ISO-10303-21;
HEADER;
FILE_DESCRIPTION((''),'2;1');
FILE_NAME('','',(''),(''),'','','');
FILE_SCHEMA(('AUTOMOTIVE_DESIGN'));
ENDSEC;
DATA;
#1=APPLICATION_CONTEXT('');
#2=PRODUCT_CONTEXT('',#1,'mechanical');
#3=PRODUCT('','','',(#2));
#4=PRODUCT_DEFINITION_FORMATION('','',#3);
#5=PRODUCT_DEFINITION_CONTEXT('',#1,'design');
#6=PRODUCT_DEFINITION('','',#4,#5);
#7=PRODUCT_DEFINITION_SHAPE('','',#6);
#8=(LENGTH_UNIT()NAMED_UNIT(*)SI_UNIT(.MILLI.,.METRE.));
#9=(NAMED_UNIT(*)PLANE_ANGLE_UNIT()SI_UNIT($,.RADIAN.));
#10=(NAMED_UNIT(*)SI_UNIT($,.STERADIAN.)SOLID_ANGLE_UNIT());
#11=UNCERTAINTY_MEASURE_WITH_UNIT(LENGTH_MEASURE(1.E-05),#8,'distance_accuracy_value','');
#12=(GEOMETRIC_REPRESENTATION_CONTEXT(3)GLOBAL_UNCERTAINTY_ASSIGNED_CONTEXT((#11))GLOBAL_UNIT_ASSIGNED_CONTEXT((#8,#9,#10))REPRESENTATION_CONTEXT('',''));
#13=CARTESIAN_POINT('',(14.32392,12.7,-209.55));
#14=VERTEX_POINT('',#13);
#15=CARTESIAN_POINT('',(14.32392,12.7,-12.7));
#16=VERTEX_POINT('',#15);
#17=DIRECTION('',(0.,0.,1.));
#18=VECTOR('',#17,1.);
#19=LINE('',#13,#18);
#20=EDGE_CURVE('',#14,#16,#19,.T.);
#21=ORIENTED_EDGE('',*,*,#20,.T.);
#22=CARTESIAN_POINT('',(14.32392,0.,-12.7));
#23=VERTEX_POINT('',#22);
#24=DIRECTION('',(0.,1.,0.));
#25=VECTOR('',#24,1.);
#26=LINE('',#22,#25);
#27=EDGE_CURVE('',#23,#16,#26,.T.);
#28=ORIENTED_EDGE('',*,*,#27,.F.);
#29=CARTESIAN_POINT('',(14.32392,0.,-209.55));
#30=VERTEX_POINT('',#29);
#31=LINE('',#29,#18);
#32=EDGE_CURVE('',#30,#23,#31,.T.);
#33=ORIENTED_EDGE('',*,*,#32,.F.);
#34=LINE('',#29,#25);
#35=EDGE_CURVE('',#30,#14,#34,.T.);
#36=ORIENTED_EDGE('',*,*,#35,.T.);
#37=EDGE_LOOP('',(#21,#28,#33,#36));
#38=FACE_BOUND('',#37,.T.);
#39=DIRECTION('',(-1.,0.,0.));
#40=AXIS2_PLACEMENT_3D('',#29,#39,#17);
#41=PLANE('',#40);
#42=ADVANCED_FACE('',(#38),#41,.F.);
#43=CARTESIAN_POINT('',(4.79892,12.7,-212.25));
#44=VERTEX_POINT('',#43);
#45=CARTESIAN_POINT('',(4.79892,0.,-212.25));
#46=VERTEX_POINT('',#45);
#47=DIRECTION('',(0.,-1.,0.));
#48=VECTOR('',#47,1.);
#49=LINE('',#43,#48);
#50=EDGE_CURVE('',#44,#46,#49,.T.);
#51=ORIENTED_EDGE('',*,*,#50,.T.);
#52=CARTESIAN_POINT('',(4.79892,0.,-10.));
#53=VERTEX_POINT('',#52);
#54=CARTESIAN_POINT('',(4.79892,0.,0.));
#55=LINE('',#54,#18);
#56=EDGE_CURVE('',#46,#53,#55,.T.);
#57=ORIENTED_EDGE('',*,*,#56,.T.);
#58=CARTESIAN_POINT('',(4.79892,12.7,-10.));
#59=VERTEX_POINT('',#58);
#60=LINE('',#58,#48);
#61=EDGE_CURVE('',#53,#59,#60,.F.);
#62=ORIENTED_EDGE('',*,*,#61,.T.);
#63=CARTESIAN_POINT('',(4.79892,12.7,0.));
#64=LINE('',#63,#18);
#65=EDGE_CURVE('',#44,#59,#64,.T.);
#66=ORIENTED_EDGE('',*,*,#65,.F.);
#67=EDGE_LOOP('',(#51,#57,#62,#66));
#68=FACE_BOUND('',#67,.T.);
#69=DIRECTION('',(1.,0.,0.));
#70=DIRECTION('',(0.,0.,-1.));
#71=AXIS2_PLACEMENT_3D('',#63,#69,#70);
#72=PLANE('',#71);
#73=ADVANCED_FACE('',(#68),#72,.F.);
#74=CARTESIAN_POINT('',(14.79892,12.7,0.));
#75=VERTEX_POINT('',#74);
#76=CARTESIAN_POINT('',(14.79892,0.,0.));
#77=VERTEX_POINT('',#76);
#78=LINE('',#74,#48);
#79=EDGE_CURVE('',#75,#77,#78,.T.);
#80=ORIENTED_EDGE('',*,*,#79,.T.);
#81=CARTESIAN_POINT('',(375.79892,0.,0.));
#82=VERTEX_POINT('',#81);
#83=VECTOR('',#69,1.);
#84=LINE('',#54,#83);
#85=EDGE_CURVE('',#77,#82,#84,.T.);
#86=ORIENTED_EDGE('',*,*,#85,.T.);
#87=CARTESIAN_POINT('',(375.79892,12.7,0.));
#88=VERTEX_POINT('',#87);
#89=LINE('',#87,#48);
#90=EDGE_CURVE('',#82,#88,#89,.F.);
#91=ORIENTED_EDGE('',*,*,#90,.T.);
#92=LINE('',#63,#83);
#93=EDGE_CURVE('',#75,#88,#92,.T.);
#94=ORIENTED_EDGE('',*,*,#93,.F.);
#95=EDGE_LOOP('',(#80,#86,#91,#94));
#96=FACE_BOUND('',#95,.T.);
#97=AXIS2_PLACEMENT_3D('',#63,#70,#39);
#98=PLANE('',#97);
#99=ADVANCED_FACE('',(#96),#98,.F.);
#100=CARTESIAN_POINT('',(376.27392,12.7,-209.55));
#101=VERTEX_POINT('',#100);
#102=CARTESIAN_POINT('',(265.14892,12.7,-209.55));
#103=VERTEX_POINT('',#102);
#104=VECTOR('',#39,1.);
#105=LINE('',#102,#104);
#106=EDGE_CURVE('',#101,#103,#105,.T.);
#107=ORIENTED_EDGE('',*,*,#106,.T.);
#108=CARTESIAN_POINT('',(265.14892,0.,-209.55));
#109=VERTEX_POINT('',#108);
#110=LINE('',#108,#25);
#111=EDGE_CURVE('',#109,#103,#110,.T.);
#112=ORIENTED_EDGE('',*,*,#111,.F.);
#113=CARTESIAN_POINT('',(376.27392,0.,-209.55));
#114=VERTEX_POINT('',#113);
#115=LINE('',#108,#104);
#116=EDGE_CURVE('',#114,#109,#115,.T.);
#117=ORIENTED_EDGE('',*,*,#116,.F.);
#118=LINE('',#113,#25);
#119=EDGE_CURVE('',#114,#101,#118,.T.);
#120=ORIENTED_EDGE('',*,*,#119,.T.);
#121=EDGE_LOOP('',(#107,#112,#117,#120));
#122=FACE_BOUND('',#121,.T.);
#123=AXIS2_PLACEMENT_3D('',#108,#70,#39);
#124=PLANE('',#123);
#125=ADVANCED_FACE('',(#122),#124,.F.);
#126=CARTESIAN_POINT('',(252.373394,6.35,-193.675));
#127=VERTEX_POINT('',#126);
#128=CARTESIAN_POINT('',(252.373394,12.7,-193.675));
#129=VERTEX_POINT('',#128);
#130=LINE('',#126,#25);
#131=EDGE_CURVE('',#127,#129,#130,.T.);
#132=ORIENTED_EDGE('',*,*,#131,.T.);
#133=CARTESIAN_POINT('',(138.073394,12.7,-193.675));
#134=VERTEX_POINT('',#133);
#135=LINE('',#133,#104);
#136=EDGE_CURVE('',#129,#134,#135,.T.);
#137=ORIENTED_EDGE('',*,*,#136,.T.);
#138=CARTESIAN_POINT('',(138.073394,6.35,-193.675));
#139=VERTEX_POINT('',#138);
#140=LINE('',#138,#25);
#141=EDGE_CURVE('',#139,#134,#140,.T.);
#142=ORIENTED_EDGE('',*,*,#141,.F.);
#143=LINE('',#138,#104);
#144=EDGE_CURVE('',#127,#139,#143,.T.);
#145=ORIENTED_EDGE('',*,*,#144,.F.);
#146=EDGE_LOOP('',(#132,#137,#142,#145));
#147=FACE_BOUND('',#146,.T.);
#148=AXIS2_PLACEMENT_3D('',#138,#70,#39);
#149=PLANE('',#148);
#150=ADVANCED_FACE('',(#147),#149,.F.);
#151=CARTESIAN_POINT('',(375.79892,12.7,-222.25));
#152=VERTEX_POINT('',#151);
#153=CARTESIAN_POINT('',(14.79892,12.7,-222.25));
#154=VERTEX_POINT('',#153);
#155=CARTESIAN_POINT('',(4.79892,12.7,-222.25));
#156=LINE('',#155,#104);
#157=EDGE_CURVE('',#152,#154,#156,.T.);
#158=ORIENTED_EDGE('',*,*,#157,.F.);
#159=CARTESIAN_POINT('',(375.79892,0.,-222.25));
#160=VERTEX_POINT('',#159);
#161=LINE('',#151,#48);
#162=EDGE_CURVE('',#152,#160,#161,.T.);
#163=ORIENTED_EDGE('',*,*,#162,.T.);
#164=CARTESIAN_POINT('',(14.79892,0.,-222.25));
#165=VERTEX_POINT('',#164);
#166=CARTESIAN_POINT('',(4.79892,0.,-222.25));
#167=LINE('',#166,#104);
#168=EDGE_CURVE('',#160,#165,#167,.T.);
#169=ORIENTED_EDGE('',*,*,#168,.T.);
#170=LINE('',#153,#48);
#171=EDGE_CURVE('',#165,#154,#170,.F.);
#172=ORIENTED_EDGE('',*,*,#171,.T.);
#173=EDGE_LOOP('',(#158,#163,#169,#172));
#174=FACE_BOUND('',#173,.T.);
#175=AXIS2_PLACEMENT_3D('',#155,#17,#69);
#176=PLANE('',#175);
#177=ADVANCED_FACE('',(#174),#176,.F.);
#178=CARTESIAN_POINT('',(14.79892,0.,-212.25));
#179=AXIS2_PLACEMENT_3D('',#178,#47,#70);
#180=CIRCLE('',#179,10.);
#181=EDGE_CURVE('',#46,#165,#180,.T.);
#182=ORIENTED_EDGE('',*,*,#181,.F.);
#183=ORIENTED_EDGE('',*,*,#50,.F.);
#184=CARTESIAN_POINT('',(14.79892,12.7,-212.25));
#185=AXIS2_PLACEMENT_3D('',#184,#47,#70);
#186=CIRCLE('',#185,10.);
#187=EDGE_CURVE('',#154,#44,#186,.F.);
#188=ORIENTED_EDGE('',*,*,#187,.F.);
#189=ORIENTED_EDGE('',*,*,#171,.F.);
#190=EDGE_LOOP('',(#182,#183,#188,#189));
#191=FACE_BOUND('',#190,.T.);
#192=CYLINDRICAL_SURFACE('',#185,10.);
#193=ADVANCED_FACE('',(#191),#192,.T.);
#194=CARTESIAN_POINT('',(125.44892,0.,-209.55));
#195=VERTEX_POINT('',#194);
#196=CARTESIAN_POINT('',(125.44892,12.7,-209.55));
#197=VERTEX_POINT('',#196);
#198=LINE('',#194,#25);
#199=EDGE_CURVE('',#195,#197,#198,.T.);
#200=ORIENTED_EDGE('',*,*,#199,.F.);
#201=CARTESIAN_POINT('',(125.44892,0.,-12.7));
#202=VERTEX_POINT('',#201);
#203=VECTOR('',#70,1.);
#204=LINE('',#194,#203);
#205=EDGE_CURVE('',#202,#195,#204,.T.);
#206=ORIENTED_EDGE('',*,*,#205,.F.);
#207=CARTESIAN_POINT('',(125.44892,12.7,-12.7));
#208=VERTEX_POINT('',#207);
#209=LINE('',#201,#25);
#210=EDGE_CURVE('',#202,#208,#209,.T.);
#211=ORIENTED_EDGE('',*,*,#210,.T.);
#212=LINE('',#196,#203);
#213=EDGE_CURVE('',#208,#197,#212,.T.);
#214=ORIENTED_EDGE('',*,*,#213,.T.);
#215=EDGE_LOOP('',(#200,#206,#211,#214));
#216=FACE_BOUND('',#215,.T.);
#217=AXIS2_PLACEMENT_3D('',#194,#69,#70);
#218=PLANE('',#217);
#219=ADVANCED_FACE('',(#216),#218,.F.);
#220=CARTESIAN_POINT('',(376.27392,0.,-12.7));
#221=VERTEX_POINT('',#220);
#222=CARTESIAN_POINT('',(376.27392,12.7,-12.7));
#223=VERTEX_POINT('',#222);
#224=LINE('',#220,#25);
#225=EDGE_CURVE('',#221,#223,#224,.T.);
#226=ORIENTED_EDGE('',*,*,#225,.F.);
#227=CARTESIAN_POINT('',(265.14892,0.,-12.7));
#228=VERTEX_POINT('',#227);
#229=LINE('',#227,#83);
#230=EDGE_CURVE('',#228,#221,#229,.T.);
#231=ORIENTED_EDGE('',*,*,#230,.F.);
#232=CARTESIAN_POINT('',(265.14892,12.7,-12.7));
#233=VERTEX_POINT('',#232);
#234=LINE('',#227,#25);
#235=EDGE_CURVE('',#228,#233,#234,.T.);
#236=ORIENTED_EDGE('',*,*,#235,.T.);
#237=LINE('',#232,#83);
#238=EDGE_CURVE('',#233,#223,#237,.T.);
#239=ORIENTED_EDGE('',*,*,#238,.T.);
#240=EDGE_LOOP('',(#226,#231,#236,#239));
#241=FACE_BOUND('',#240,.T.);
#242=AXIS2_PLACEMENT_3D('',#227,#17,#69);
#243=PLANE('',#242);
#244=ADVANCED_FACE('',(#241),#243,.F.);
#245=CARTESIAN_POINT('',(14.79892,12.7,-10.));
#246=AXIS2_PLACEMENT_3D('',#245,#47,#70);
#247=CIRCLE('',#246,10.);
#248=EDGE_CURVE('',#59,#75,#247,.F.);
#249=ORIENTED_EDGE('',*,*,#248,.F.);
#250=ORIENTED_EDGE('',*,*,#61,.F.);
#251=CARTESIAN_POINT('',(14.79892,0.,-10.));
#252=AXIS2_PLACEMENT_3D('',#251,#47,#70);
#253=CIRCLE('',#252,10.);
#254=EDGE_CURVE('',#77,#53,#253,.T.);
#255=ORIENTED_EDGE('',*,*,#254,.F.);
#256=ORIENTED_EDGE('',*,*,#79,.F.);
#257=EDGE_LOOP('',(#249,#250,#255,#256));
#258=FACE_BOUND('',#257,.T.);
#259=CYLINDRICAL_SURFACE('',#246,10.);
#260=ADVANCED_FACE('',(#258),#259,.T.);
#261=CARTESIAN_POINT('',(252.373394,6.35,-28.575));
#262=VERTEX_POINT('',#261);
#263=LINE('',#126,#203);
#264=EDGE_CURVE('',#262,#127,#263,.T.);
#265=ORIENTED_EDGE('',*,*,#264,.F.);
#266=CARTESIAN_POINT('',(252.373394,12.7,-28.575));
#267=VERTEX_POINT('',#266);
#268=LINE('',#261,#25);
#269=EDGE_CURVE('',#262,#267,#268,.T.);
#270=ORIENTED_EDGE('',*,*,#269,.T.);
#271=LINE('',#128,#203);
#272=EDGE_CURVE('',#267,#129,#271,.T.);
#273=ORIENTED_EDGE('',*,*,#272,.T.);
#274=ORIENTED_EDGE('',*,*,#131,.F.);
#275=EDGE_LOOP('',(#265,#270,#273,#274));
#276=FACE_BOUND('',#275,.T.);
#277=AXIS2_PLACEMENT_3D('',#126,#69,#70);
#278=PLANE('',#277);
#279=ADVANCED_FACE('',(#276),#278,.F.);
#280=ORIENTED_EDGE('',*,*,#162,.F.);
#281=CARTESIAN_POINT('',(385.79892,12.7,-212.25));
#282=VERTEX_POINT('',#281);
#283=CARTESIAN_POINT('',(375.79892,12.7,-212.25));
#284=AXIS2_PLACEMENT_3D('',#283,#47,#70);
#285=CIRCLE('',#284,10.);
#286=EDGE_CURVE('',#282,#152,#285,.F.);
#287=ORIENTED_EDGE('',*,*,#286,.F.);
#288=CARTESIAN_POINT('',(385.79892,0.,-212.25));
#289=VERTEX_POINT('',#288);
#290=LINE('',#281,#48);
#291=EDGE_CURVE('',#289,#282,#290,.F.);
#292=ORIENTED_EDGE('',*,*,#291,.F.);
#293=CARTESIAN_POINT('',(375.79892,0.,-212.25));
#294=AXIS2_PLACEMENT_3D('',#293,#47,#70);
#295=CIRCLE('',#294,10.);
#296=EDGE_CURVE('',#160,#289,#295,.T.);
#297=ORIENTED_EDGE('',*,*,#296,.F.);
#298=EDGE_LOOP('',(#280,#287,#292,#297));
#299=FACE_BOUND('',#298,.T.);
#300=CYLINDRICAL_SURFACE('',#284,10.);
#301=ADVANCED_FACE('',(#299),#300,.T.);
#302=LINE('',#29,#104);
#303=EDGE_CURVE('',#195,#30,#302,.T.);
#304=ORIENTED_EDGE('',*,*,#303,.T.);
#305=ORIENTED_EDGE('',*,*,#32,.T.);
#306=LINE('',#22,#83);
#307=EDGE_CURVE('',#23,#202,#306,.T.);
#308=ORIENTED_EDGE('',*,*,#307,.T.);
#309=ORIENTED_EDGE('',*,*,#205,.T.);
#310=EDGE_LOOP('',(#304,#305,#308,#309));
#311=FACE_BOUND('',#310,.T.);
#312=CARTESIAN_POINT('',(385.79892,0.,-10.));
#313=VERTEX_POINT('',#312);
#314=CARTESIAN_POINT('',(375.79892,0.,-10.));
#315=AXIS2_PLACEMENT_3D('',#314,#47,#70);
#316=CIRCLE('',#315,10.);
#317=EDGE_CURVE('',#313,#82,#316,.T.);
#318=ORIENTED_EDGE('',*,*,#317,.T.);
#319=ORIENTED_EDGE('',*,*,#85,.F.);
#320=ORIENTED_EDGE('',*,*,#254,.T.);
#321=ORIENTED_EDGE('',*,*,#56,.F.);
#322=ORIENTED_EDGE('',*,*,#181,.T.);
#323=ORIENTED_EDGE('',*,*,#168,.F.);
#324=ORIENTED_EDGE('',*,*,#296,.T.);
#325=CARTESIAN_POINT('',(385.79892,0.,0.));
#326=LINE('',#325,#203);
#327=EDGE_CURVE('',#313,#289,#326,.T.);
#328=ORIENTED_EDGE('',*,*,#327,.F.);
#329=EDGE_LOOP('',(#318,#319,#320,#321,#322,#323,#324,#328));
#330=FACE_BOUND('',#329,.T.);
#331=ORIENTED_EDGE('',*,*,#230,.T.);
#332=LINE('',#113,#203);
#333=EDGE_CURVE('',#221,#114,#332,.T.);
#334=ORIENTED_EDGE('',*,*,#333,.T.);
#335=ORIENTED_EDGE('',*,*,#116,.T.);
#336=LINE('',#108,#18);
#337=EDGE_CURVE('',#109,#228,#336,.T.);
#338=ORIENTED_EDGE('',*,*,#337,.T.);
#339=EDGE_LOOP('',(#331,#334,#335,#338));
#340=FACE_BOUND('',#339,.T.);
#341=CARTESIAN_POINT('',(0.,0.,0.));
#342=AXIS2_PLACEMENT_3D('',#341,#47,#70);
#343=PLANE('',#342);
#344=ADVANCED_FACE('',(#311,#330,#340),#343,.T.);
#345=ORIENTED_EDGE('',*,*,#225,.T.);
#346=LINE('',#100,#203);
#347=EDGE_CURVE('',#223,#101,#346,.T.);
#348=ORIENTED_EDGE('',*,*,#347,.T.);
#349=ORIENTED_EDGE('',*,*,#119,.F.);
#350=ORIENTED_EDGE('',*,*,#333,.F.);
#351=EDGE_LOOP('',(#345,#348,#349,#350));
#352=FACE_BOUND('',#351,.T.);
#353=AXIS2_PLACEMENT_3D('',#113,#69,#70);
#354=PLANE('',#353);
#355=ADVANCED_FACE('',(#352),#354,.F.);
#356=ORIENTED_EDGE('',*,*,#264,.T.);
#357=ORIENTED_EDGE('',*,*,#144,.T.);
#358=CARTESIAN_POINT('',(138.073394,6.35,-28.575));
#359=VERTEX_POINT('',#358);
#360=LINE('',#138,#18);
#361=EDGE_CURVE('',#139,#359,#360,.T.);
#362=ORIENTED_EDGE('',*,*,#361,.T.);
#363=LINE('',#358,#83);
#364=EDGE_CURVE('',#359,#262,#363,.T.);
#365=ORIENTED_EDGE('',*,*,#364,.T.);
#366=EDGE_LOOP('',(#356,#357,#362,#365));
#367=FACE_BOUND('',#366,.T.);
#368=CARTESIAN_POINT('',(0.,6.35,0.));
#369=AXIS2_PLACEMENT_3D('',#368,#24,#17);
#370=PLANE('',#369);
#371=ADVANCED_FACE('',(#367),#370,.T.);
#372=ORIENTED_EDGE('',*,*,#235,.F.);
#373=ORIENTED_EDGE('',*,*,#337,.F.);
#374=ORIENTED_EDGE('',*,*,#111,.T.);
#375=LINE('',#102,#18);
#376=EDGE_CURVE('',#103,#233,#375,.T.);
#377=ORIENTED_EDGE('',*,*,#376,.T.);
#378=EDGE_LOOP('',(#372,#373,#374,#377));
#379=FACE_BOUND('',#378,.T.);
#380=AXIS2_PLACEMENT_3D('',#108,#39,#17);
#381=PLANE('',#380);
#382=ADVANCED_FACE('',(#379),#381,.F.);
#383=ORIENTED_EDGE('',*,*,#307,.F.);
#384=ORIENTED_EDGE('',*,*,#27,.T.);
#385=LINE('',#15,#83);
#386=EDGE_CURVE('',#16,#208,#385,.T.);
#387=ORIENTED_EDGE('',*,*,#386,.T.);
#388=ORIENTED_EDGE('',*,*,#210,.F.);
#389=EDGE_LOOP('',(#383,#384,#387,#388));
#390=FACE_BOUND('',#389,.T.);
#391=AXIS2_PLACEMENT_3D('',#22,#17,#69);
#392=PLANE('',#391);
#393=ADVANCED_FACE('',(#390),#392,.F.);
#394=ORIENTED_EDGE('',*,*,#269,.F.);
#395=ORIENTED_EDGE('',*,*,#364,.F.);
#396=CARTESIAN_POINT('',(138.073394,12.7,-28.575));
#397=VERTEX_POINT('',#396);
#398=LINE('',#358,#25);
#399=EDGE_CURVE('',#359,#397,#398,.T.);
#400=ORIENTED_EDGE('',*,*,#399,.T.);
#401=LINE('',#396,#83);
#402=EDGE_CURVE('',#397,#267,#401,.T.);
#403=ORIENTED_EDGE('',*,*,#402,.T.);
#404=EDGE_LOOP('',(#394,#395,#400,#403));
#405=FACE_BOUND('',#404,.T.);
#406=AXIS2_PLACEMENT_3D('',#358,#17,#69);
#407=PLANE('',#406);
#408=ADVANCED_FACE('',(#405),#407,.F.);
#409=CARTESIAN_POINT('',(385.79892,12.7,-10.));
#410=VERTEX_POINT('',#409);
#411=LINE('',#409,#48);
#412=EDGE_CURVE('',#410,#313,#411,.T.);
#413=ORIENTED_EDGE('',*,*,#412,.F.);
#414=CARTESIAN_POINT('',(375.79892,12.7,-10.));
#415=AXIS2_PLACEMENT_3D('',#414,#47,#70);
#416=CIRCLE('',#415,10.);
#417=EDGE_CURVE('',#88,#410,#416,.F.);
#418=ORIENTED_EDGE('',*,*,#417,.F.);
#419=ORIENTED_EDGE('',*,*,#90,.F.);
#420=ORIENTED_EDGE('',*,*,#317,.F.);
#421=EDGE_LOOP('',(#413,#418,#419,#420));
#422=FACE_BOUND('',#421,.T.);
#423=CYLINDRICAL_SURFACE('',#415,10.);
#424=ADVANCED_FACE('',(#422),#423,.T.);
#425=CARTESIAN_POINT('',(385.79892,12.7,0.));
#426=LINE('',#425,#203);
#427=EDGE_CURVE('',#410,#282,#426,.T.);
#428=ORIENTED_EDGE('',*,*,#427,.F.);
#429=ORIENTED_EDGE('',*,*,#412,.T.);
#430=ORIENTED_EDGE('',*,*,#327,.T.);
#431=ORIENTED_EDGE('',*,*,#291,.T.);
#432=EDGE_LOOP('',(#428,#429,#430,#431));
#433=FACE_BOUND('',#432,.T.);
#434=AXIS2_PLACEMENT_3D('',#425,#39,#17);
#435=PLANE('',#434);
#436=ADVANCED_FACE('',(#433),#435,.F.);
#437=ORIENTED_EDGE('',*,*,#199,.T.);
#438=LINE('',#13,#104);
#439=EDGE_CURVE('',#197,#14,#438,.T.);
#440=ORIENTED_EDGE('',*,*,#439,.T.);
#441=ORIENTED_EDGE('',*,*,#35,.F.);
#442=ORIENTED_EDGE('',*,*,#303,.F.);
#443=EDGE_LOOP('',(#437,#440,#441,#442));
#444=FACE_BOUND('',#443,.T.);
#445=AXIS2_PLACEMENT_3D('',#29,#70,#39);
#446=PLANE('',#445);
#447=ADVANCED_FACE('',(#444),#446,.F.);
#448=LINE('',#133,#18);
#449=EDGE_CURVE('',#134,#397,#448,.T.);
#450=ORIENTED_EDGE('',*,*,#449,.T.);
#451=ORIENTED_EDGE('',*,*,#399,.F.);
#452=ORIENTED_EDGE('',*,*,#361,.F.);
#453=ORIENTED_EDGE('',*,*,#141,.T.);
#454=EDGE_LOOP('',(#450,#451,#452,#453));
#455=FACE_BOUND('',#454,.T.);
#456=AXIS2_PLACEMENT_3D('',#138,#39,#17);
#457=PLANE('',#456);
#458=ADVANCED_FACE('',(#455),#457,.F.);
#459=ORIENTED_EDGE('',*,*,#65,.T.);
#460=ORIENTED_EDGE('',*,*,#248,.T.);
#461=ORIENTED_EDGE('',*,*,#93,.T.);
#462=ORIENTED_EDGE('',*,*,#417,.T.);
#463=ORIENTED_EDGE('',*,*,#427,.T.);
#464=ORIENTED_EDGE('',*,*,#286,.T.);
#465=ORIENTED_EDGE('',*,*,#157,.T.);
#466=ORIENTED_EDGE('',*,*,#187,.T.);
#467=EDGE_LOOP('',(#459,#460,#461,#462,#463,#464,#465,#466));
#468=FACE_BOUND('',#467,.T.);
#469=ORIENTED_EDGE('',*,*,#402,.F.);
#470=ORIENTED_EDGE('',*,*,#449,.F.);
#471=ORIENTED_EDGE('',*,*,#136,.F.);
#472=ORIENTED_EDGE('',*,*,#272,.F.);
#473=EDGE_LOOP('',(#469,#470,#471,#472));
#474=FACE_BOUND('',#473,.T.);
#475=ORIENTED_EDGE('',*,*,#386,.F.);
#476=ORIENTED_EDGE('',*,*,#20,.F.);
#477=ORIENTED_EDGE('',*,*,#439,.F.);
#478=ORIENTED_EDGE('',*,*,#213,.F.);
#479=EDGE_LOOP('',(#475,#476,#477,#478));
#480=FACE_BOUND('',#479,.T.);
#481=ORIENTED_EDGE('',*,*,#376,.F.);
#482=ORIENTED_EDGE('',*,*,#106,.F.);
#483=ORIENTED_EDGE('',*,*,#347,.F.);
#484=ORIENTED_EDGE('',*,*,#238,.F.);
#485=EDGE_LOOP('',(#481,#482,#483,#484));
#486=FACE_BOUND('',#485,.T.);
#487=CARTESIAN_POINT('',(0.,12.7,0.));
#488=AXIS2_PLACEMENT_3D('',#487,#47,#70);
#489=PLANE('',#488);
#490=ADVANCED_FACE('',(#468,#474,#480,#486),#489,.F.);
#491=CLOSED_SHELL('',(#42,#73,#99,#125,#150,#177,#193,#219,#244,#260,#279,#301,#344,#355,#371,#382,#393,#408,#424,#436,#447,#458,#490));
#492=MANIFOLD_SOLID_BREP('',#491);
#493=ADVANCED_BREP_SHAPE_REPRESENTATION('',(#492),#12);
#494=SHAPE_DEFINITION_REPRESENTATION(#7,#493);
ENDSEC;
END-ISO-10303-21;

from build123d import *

# Parameters (mm, degrees)
SKETCH1_W           = 381
SKETCH1_H           = 222.25
BOSS_EXTRUDE1_DEPTH = 12.7
SKETCH2_W           = 111.125
SKETCH2_H           = 196.85
CUT_EXTRUDE1_DEPTH  = 12.7
SKETCH3_W           = 114.3
SKETCH3_H           = 165.1
CUT_EXTRUDE2_DEPTH  = 6.35
FILLET1_R           = 10


with BuildPart() as part:
    # Sketch1 → Boss-Extrude1 (new body)
    with BuildSketch(Plane(origin=(0, 0, 0), x_dir=(1, 0, 0), z_dir=(0, 1, 0))):
        with Locations((195.298920378, 111.125)):
            Rectangle(SKETCH1_W, SKETCH1_H)
    extrude(amount=BOSS_EXTRUDE1_DEPTH)

    # Sketch2 → Cut-Extrude1 (cut)
    with BuildSketch(Plane(origin=(0, 12.7, 0), x_dir=(1, 0, 0), z_dir=(0, 1, 0))):
        with Locations((69.886420378, 111.125)):
            Rectangle(SKETCH2_W, SKETCH2_H)
        with Locations((320.711420378, 111.125)):
            Rectangle(SKETCH2_W, SKETCH2_H)
    extrude(amount=-CUT_EXTRUDE1_DEPTH, mode=Mode.SUBTRACT)

    # Sketch3 → Cut-Extrude2 (cut)
    with BuildSketch(Plane(origin=(0, 12.7, 0), x_dir=(1, 0, 0), z_dir=(0, 1, 0))):
        with Locations((195.223394244, 111.125)):
            Rectangle(SKETCH3_W, SKETCH3_H)
    extrude(amount=-CUT_EXTRUDE2_DEPTH, mode=Mode.SUBTRACT)

    # Fillet1
    fillet1_edges = [part.edges().sort_by_distance(p)[0] for p in [
        (4.798920378, 6.35, -222.25),
        (385.798920378, 6.35, -222.25),
        (385.798920378, 6.35, 0),
        (4.798920378, 6.35, 0),
    ]]
    fillet(fillet1_edges, radius=FILLET1_R)


solid = part.part
